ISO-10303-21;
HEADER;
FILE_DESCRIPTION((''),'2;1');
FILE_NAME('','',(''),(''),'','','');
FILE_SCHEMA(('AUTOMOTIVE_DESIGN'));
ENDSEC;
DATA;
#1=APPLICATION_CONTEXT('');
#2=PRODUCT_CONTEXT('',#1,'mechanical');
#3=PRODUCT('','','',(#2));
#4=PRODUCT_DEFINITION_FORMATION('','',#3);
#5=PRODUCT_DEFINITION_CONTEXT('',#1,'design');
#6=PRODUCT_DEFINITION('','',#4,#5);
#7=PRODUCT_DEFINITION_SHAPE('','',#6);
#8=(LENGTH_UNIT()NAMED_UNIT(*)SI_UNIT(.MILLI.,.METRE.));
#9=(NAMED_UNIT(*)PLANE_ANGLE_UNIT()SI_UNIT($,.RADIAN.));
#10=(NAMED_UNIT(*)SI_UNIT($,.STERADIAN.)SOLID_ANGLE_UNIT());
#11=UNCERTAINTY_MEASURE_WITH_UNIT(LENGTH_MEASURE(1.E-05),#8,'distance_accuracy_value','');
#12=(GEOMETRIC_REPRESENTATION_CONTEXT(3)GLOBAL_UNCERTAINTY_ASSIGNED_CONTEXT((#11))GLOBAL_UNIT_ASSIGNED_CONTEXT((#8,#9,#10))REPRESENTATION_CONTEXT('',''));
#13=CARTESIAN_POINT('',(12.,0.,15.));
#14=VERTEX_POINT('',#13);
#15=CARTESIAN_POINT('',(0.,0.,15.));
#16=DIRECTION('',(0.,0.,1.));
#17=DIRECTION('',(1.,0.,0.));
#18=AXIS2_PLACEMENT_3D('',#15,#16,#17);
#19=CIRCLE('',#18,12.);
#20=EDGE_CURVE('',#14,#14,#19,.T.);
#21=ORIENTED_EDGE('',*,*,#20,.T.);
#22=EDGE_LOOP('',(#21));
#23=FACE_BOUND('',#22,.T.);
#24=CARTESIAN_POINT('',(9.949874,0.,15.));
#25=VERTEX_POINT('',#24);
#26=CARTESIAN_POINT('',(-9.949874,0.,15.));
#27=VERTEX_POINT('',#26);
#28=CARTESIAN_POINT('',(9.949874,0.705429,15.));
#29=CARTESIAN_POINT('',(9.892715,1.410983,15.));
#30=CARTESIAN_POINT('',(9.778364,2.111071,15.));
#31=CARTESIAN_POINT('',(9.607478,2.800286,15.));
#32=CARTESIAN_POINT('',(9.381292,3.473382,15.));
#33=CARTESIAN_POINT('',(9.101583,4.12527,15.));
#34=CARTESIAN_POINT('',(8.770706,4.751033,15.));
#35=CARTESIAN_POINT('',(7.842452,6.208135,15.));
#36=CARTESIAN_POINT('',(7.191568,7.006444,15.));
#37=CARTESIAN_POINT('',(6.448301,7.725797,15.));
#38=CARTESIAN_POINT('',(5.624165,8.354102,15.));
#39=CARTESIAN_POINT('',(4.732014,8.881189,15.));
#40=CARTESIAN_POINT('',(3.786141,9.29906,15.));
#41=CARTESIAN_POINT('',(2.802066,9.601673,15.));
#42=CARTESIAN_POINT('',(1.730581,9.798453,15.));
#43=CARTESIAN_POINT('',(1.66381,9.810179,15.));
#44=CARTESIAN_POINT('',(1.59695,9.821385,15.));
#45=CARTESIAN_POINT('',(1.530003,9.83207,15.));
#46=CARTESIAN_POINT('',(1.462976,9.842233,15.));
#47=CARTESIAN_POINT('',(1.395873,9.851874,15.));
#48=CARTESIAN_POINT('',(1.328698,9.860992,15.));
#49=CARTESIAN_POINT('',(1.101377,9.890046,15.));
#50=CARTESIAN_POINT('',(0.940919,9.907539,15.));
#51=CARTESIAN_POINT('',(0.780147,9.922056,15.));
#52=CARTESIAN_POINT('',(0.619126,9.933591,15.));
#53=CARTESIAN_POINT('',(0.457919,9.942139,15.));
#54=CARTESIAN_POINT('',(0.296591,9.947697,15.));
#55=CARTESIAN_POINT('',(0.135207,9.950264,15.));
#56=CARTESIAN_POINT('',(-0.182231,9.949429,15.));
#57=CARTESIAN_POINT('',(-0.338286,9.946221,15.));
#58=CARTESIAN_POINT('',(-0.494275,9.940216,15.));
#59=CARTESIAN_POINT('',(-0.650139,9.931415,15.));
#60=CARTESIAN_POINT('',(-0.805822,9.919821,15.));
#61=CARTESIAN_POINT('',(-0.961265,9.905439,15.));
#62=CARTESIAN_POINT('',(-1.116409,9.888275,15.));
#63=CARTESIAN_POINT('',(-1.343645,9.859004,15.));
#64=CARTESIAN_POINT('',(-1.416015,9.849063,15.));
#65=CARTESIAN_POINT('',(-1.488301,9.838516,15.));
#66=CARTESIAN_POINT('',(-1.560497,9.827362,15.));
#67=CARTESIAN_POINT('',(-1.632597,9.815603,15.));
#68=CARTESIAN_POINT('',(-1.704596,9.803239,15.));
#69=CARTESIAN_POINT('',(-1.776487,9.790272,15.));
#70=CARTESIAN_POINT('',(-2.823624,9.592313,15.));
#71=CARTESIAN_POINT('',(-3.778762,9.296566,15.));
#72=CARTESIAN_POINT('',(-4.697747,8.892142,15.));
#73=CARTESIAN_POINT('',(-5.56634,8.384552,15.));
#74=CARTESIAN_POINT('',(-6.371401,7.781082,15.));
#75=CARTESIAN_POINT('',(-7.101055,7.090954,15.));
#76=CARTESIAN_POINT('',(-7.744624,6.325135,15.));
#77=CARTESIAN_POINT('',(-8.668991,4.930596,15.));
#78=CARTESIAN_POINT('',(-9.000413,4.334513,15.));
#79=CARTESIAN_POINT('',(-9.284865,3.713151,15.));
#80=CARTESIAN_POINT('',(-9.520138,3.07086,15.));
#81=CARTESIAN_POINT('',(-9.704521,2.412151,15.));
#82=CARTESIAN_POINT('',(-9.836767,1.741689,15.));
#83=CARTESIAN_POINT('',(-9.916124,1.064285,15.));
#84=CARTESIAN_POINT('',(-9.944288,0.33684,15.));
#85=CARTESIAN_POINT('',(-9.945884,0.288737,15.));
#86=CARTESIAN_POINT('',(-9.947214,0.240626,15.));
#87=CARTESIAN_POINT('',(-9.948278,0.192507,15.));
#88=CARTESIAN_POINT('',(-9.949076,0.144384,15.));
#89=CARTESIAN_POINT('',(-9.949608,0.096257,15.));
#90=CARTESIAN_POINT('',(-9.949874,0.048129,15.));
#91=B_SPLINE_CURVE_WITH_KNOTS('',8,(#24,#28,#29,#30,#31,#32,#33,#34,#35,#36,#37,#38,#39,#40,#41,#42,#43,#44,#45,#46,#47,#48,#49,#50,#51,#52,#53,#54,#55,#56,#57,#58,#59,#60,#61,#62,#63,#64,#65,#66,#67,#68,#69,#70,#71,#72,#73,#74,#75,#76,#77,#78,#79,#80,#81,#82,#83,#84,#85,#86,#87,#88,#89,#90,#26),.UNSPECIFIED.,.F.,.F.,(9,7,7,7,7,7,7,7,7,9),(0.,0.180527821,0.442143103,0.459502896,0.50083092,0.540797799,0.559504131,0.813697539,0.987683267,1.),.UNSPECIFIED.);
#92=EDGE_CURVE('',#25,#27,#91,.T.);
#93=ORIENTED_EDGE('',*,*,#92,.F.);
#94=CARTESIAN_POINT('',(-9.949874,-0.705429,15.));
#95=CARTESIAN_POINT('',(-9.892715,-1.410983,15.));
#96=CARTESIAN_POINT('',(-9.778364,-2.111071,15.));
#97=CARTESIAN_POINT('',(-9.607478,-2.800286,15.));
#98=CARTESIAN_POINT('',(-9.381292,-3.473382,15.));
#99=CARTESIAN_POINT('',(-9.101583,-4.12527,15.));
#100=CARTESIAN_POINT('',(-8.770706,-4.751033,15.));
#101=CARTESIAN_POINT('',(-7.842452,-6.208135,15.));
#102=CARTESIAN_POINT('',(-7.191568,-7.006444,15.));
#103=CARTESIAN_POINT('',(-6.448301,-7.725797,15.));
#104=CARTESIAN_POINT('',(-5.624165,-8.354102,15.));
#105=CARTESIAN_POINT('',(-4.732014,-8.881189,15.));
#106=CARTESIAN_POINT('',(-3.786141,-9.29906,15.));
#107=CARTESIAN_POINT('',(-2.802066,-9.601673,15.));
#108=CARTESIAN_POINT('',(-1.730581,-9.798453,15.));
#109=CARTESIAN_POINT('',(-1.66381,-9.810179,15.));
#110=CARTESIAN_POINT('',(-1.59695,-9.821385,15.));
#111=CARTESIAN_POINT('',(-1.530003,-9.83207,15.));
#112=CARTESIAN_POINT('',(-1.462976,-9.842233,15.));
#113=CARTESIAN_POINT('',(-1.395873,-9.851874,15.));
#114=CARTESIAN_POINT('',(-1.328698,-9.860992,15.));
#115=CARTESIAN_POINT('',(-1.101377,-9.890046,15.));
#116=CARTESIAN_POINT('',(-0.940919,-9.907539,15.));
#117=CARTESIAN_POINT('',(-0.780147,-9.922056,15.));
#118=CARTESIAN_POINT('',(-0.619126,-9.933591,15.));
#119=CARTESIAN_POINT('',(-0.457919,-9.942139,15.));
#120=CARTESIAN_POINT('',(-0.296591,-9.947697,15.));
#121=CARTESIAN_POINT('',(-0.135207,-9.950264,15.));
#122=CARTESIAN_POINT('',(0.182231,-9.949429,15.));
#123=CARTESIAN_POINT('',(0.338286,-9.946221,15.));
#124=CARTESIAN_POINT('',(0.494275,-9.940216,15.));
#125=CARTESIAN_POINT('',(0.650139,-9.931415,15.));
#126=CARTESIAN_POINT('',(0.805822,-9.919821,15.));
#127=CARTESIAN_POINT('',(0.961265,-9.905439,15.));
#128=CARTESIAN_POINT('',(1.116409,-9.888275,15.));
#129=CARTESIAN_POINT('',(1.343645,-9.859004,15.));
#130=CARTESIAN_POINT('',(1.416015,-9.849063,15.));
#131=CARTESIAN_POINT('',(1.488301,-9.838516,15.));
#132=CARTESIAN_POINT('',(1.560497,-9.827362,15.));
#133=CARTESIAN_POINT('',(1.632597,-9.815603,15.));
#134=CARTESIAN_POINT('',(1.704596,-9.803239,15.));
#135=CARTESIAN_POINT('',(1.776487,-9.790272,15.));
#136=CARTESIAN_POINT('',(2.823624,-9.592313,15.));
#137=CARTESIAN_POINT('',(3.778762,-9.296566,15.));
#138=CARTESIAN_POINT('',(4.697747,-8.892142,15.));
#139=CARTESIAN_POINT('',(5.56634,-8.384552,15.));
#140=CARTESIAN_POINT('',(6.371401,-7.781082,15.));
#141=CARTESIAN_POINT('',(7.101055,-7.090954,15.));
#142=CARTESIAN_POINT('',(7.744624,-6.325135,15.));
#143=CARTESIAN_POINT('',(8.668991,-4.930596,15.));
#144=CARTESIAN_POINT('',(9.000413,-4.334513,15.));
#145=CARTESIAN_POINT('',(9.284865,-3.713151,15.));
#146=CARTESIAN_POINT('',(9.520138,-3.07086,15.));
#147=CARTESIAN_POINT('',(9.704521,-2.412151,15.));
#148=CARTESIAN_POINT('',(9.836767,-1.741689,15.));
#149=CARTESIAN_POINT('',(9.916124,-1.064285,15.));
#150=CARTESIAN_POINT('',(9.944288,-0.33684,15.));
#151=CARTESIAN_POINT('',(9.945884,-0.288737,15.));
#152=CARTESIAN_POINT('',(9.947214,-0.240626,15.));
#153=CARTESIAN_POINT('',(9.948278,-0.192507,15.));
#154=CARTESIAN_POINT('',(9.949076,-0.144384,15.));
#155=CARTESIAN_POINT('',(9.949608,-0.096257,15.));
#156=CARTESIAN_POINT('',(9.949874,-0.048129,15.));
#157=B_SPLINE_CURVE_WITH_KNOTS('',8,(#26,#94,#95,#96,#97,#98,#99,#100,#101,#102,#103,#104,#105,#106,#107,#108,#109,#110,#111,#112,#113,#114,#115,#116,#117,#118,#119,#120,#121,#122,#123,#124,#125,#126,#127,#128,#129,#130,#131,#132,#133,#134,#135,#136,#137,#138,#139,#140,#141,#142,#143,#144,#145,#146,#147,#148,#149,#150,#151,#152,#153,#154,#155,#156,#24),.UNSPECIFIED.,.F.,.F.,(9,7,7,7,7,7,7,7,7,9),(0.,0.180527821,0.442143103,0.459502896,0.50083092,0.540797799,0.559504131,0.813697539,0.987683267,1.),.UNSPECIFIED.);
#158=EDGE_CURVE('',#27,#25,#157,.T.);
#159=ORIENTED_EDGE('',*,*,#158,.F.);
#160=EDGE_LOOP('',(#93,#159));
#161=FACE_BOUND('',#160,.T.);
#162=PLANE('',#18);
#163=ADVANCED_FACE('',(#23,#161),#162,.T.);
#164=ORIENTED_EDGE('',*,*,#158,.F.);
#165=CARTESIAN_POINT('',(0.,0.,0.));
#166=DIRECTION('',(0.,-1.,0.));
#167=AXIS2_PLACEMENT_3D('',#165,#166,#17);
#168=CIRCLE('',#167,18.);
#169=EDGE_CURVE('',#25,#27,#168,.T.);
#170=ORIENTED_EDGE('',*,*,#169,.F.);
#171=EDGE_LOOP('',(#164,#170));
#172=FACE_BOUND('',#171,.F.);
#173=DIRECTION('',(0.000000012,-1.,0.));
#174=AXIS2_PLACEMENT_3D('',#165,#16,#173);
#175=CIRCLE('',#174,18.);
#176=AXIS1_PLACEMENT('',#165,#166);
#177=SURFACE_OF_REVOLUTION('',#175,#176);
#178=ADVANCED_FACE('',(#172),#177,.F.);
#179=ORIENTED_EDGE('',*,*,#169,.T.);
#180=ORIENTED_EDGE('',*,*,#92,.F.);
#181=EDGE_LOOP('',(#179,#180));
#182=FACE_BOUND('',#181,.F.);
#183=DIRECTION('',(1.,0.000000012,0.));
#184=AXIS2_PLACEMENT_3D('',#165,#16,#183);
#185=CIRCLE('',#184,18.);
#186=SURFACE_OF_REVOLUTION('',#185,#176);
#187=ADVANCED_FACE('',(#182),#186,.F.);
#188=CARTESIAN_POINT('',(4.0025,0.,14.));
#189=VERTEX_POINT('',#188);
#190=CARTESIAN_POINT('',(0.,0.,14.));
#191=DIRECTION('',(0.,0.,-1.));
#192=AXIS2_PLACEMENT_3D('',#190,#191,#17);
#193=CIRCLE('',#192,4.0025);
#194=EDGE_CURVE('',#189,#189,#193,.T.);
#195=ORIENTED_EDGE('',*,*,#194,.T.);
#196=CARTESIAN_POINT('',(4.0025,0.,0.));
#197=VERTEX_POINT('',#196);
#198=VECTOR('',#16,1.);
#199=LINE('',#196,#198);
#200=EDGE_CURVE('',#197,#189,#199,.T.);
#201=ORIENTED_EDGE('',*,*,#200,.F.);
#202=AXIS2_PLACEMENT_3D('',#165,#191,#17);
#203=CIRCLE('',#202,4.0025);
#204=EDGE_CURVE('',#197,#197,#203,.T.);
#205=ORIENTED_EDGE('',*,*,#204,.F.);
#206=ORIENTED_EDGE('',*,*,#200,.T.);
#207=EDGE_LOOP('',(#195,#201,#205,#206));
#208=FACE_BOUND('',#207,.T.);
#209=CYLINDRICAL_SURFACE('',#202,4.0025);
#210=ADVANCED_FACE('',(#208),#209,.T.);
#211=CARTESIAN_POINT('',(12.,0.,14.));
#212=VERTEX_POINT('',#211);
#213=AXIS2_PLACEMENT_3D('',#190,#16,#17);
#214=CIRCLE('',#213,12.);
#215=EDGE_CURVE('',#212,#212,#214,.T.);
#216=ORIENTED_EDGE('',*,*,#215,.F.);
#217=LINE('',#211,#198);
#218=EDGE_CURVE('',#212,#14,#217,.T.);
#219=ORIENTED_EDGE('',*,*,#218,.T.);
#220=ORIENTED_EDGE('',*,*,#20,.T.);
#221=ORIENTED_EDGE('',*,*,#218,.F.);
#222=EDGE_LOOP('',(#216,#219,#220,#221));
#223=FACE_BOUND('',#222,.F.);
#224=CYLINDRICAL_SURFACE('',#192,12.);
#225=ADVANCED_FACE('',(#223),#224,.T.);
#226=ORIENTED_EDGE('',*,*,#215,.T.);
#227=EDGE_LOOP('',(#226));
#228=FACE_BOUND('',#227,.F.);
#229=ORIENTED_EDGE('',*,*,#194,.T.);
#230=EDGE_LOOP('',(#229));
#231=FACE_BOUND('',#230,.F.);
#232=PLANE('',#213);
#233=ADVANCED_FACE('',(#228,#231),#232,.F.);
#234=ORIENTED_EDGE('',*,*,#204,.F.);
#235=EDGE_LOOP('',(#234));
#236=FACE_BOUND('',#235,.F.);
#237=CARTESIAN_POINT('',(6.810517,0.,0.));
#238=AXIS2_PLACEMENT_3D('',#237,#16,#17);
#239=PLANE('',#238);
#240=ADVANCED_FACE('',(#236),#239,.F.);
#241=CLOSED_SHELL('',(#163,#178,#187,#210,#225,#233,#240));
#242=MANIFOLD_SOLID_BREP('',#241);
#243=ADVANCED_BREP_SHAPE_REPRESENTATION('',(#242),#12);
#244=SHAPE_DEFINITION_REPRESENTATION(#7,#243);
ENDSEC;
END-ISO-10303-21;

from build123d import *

# Parameters (mm, degrees)
F1_ANGLE = 180
F2_R     = 18
F2_R_2   = 4.0025
F3_DEPTH = 14
F5_R     = 12
F6_DEPTH = 1
F7_R     = 4.0025
F8_DEPTH = 11


with BuildPart() as f1:
    # F0 (on Top) → F1 (revolve)
    with BuildSketch(Plane.XY):
        with BuildLine():
            ThreePointArc((0, -18), (12.727922, -12.727922), (18, 0))
            ThreePointArc((18, 0), (12.727922, 12.727922), (0, 18))
            Line((0, 18), (0, -18))
        make_face()
    revolve(axis=Axis((0, 0, 0), (0, -1, 0)), revolution_arc=F1_ANGLE)

    # F2 (on face) → F3 (cut)
    with BuildSketch(Plane(origin=(0, 0, 0), x_dir=(1, 0, 0), z_dir=(0, 0, -1))):
        Circle(F2_R)
        Circle(F2_R_2, mode=Mode.SUBTRACT)
    extrude(amount=-F3_DEPTH, mode=Mode.SUBTRACT)

    # F5 (on offset) → F6 (join)
    with BuildSketch(Plane.XY.offset(14)):
        Circle(F5_R)
    extrude(amount=F6_DEPTH)

    # F7 (on face) → F8 (join)
    with BuildSketch(Plane(origin=(0, 0, 0), x_dir=(1, 0, 0), z_dir=(0, 0, -1))):
        Circle(F7_R)
    extrude(amount=-F8_DEPTH)


solid = f1.part
